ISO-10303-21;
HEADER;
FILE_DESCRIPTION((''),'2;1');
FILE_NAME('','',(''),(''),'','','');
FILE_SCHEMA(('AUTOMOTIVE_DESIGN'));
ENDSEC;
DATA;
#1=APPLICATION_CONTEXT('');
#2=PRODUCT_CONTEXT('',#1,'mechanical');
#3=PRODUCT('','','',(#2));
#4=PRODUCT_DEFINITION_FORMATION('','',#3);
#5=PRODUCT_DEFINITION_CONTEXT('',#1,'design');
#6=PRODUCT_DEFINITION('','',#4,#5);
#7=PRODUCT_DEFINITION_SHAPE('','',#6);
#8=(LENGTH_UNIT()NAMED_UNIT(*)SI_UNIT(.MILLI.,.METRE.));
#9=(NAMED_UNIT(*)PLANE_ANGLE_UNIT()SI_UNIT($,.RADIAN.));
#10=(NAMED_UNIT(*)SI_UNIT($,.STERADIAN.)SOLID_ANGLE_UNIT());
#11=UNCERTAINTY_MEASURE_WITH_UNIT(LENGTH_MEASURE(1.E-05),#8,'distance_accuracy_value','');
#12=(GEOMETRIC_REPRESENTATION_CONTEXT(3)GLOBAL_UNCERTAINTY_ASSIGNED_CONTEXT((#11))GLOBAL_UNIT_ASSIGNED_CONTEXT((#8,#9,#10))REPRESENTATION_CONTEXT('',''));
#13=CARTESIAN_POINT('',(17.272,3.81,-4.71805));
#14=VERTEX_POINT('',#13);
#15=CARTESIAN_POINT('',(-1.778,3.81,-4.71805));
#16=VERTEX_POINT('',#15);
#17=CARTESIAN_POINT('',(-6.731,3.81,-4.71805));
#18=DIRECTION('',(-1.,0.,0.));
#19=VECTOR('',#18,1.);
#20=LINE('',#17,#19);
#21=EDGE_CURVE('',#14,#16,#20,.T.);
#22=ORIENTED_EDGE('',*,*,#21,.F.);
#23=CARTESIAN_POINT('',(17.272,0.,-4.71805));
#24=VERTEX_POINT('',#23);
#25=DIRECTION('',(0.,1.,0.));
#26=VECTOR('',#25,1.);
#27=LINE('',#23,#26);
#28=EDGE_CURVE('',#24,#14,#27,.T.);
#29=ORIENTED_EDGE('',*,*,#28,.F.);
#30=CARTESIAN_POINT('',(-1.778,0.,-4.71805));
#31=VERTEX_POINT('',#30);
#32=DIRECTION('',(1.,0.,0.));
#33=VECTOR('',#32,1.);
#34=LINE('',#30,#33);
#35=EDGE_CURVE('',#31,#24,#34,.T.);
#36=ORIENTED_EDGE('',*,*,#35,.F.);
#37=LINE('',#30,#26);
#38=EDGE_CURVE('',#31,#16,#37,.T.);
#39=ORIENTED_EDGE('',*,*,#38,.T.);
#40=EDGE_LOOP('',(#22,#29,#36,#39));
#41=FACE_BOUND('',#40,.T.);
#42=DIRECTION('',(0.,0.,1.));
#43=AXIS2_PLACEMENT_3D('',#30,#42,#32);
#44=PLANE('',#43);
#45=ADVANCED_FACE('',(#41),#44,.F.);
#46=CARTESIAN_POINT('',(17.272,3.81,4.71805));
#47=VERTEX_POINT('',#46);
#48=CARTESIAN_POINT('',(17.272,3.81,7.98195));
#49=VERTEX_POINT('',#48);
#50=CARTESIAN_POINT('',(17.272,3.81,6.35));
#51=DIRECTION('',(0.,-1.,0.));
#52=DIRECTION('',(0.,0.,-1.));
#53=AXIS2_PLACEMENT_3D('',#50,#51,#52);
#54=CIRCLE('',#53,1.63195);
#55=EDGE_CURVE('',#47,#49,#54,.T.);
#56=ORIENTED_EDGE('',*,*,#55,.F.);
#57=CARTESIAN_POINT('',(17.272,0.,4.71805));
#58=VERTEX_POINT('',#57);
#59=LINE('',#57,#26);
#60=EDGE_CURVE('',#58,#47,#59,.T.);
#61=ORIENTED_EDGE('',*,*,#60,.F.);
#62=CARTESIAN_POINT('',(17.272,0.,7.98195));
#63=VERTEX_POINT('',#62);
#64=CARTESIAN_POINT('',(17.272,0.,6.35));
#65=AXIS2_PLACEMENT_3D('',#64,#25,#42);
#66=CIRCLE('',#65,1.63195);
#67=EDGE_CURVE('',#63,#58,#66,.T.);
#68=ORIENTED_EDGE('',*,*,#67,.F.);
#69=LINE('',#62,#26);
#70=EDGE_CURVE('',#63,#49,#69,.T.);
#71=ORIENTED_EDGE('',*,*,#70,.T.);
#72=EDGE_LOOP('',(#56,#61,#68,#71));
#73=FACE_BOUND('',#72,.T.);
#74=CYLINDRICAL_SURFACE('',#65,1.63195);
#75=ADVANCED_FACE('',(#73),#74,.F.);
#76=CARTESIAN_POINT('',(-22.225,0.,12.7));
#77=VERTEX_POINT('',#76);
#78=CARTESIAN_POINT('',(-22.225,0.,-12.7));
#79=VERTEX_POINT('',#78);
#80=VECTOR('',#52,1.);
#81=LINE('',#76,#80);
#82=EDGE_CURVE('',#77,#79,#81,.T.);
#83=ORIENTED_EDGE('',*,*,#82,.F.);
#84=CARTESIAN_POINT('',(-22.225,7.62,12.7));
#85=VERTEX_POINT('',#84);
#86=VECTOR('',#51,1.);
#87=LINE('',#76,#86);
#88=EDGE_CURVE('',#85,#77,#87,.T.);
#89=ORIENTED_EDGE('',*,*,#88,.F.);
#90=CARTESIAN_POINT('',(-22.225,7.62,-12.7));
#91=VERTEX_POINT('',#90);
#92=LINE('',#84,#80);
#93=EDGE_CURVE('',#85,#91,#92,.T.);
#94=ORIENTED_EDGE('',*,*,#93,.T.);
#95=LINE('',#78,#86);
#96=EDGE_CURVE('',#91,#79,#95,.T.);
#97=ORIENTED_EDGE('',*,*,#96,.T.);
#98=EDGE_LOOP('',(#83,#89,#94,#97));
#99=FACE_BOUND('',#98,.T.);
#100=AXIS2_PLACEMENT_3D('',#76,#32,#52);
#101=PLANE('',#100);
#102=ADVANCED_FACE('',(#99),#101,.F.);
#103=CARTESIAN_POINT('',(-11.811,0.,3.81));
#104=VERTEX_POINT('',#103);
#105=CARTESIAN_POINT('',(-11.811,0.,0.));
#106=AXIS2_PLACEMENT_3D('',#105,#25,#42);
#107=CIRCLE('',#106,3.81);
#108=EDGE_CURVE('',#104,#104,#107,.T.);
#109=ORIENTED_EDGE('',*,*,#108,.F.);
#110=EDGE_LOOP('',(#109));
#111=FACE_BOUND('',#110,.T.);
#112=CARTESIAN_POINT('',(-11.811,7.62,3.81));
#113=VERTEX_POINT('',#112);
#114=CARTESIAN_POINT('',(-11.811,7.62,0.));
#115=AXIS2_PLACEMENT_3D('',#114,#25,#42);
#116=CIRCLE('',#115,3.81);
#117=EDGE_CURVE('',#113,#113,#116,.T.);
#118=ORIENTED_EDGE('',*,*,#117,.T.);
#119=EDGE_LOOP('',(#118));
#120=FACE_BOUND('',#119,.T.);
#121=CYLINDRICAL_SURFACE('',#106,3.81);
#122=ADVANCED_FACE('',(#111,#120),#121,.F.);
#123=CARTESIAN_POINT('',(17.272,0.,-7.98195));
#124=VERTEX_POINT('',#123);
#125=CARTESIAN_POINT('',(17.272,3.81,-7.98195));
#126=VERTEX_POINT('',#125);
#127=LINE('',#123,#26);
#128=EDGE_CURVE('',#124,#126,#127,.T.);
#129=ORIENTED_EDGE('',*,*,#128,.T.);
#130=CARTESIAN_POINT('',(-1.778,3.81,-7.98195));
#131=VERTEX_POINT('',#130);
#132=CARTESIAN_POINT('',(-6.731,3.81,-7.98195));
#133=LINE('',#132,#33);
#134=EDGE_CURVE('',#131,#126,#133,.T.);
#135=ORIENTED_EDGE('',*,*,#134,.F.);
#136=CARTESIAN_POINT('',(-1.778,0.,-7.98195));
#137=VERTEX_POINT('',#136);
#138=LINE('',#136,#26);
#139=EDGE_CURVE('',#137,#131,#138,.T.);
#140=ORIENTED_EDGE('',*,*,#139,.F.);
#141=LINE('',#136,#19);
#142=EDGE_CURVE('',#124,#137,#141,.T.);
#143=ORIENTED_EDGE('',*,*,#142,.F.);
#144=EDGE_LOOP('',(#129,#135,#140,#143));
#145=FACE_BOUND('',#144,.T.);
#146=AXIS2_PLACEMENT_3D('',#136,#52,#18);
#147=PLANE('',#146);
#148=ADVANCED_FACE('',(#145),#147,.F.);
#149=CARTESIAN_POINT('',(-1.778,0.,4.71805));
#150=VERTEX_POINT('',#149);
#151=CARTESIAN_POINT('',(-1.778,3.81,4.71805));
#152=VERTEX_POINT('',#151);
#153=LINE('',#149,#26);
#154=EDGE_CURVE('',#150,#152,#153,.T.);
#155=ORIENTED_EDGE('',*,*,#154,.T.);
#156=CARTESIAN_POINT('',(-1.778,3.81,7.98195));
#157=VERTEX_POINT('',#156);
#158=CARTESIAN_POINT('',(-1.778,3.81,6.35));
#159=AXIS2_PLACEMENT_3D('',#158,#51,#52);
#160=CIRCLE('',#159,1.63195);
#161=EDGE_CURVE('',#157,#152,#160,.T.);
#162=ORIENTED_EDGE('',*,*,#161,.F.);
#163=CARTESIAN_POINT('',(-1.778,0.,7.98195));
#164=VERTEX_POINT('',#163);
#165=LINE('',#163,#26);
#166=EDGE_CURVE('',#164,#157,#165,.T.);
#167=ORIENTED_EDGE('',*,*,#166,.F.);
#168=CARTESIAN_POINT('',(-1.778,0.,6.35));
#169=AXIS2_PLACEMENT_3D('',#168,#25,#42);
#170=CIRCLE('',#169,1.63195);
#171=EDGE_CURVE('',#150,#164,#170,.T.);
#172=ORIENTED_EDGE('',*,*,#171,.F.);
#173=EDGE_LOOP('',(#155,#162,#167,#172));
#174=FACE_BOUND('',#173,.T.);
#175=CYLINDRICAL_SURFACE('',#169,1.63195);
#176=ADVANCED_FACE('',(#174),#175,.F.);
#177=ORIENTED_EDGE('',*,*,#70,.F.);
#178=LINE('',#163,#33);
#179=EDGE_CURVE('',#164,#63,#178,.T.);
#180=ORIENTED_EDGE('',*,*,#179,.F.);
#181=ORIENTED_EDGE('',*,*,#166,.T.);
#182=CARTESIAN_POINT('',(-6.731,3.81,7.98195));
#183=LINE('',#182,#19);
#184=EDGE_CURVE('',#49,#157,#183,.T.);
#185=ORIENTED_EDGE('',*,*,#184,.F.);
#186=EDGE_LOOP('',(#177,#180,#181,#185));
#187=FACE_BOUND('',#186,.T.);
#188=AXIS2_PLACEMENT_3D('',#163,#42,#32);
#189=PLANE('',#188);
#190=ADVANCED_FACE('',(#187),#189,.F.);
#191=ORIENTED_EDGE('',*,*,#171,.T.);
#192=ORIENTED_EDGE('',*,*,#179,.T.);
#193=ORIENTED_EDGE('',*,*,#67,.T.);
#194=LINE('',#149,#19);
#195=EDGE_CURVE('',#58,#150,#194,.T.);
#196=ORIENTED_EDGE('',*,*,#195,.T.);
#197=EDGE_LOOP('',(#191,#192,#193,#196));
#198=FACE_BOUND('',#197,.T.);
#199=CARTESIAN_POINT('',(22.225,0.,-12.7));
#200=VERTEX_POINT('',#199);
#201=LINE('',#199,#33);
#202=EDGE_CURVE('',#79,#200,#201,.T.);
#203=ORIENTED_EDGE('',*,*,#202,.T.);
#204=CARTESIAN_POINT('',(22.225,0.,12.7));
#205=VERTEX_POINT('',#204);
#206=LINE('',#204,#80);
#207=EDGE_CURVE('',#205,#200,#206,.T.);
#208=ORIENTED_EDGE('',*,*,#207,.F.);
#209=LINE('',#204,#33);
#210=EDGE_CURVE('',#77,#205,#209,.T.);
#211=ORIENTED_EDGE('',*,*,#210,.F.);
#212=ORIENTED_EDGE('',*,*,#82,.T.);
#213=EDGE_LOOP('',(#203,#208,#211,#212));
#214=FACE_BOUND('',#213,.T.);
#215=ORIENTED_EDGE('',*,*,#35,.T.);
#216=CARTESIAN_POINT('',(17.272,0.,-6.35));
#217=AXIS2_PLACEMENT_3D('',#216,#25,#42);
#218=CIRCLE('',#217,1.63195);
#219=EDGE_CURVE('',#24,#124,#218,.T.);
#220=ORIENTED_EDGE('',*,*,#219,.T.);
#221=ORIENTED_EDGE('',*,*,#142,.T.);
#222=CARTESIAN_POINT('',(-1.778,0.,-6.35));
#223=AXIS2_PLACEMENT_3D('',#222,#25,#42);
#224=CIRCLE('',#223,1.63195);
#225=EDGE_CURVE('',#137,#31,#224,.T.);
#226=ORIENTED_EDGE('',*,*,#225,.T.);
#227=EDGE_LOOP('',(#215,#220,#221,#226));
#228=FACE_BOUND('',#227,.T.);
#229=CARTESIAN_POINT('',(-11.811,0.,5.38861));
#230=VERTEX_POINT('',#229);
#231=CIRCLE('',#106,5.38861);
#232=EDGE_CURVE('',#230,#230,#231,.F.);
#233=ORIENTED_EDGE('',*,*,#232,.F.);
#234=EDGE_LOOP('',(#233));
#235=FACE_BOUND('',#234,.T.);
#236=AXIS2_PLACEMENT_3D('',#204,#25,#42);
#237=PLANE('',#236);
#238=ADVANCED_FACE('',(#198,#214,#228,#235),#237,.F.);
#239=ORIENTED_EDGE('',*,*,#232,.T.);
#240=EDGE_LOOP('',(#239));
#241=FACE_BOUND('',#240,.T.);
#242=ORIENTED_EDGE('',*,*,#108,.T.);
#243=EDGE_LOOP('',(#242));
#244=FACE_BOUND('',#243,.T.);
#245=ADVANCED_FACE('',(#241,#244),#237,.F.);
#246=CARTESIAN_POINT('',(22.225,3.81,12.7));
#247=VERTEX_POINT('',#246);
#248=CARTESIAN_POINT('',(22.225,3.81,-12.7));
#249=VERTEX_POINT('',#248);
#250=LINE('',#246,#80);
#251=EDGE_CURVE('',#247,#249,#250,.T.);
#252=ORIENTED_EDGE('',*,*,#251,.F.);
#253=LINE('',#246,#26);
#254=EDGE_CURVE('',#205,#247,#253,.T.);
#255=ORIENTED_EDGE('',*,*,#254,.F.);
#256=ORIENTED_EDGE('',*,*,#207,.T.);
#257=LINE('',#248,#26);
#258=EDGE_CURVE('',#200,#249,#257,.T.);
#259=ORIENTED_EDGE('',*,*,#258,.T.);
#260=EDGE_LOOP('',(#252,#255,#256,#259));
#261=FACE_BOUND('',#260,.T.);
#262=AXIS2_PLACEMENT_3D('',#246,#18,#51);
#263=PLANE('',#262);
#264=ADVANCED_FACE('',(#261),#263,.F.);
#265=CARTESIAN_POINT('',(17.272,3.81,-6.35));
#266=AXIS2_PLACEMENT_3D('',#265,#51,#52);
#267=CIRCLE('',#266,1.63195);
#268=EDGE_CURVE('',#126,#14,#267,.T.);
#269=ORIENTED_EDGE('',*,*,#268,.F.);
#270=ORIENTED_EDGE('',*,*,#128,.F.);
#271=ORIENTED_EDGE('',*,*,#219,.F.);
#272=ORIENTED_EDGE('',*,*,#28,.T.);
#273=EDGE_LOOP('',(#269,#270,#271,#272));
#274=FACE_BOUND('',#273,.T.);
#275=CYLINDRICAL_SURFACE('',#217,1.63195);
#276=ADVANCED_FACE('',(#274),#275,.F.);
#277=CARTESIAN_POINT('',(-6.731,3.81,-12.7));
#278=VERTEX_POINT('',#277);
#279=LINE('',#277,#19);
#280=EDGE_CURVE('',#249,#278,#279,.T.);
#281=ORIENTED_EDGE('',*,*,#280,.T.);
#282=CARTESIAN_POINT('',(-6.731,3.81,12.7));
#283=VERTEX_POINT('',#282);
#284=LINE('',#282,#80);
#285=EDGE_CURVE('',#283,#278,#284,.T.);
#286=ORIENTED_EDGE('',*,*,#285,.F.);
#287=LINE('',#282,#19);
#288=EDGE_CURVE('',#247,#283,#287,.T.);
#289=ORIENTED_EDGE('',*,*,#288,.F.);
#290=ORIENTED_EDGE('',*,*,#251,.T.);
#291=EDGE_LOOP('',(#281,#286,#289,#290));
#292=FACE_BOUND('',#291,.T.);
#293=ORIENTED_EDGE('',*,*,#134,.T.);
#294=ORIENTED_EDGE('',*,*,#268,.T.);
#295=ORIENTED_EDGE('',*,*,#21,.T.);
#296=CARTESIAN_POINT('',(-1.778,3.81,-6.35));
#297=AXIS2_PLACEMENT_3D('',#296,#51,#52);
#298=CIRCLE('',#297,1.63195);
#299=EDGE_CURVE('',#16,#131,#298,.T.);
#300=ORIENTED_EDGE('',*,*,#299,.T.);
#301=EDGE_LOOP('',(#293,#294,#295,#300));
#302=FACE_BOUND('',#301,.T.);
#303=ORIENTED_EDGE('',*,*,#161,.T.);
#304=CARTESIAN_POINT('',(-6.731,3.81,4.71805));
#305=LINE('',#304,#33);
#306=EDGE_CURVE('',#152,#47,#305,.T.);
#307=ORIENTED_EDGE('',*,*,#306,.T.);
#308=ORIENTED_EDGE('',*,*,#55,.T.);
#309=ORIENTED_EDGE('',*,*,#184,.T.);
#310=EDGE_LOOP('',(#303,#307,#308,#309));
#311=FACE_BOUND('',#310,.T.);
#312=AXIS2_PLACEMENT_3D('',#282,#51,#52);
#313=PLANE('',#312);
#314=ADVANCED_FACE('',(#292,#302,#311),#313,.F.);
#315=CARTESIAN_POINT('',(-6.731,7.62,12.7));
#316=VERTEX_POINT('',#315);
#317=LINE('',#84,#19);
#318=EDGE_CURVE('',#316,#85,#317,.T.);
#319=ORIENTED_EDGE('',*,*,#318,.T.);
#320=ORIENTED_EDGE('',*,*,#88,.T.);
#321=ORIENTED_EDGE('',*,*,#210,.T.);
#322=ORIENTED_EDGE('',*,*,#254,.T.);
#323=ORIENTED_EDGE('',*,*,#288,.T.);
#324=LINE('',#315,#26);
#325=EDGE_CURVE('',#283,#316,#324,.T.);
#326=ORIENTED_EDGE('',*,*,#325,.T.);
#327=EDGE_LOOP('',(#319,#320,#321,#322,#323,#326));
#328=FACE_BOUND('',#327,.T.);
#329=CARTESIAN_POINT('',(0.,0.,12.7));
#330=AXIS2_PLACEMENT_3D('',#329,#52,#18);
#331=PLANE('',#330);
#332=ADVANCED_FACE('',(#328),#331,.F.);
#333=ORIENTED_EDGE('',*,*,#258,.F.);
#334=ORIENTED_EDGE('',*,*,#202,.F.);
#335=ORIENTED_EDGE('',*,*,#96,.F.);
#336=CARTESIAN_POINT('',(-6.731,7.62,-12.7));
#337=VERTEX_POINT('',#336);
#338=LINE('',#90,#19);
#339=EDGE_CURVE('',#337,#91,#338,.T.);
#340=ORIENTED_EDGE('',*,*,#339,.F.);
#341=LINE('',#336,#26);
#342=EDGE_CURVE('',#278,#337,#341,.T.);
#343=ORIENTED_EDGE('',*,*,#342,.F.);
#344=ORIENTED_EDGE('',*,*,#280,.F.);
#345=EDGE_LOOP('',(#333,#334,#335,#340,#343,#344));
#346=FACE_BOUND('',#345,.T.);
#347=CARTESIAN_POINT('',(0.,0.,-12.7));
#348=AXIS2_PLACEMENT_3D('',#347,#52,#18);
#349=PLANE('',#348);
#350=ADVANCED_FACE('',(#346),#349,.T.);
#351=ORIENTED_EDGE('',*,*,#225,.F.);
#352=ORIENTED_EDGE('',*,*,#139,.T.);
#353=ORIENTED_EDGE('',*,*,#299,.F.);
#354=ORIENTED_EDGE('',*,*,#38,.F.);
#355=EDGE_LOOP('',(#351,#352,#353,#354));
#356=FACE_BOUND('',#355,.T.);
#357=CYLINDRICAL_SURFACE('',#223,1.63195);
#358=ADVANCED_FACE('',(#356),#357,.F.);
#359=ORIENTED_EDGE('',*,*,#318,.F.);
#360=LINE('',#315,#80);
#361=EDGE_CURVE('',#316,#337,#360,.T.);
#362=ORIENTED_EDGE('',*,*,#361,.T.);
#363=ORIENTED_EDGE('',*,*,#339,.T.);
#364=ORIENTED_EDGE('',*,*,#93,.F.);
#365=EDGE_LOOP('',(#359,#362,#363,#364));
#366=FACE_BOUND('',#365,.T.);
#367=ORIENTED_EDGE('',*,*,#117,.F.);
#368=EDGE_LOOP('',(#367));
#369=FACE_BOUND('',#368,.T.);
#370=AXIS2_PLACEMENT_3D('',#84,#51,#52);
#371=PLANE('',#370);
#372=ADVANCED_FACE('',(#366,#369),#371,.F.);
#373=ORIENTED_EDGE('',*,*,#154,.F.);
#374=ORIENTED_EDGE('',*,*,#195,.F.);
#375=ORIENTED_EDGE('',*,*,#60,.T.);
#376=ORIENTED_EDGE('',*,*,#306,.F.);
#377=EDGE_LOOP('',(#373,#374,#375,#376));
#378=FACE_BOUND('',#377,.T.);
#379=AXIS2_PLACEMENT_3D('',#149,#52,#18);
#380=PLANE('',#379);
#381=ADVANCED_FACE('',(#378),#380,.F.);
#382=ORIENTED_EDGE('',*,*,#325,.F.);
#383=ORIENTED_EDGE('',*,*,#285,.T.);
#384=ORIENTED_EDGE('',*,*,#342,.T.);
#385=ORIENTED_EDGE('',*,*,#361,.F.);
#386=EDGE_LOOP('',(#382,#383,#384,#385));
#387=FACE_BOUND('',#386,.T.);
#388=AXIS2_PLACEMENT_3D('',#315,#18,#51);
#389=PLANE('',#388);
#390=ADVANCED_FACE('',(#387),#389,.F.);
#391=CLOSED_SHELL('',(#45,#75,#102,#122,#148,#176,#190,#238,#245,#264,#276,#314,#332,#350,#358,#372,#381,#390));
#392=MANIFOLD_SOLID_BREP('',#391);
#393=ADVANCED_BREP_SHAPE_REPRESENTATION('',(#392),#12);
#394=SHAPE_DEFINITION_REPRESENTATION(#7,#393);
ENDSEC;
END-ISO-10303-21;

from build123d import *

# Parameters (mm, degrees)
BOSS_EXTRUDE1_DEPTH = 12.7
SKETCH2_R           = 3.81
CUT_EXTRUDE1_DEPTH  = 8.62


with BuildPart() as part:
    # Sketch1 → Boss-Extrude1 (new body, symmetric)
    with BuildSketch(Plane.XY):
        Polygon((-22.225, 7.62), (-6.731, 7.62), (-6.731, 3.81), (22.225, 3.81), (22.225, 0), (-22.225, 0), align=None)
    extrude(amount=BOSS_EXTRUDE1_DEPTH, both=True)

    # Sketch2 → Cut-Extrude1 (cut, through all)
    with BuildSketch(Plane(origin=(0, 7.62, 0), x_dir=(1, 0, 0), z_dir=(0, 1, 0))):
        with Locations((-11.811, 0)):
            Circle(SKETCH2_R)
        with BuildLine():
            Line((-1.778, 7.98195), (17.272, 7.98195))
            ThreePointArc((17.272, 7.98195), (18.90395, 6.35), (17.272, 4.71805))
            Line((17.272, 4.71805), (-1.778, 4.71805))
            ThreePointArc((-1.778, 4.71805), (-3.40995, 6.35), (-1.778, 7.98195))
        make_face()
        with BuildLine():
            Line((-1.778, -4.71805), (17.272, -4.71805))
            ThreePointArc((17.272, -4.71805), (18.90395, -6.35), (17.272, -7.98195))
            Line((17.272, -7.98195), (-1.778, -7.98195))
            ThreePointArc((-1.778, -7.98195), (-3.40995, -6.35), (-1.778, -4.71805))
        make_face()
    extrude(amount=-CUT_EXTRUDE1_DEPTH, mode=Mode.SUBTRACT)


solid = part.part
